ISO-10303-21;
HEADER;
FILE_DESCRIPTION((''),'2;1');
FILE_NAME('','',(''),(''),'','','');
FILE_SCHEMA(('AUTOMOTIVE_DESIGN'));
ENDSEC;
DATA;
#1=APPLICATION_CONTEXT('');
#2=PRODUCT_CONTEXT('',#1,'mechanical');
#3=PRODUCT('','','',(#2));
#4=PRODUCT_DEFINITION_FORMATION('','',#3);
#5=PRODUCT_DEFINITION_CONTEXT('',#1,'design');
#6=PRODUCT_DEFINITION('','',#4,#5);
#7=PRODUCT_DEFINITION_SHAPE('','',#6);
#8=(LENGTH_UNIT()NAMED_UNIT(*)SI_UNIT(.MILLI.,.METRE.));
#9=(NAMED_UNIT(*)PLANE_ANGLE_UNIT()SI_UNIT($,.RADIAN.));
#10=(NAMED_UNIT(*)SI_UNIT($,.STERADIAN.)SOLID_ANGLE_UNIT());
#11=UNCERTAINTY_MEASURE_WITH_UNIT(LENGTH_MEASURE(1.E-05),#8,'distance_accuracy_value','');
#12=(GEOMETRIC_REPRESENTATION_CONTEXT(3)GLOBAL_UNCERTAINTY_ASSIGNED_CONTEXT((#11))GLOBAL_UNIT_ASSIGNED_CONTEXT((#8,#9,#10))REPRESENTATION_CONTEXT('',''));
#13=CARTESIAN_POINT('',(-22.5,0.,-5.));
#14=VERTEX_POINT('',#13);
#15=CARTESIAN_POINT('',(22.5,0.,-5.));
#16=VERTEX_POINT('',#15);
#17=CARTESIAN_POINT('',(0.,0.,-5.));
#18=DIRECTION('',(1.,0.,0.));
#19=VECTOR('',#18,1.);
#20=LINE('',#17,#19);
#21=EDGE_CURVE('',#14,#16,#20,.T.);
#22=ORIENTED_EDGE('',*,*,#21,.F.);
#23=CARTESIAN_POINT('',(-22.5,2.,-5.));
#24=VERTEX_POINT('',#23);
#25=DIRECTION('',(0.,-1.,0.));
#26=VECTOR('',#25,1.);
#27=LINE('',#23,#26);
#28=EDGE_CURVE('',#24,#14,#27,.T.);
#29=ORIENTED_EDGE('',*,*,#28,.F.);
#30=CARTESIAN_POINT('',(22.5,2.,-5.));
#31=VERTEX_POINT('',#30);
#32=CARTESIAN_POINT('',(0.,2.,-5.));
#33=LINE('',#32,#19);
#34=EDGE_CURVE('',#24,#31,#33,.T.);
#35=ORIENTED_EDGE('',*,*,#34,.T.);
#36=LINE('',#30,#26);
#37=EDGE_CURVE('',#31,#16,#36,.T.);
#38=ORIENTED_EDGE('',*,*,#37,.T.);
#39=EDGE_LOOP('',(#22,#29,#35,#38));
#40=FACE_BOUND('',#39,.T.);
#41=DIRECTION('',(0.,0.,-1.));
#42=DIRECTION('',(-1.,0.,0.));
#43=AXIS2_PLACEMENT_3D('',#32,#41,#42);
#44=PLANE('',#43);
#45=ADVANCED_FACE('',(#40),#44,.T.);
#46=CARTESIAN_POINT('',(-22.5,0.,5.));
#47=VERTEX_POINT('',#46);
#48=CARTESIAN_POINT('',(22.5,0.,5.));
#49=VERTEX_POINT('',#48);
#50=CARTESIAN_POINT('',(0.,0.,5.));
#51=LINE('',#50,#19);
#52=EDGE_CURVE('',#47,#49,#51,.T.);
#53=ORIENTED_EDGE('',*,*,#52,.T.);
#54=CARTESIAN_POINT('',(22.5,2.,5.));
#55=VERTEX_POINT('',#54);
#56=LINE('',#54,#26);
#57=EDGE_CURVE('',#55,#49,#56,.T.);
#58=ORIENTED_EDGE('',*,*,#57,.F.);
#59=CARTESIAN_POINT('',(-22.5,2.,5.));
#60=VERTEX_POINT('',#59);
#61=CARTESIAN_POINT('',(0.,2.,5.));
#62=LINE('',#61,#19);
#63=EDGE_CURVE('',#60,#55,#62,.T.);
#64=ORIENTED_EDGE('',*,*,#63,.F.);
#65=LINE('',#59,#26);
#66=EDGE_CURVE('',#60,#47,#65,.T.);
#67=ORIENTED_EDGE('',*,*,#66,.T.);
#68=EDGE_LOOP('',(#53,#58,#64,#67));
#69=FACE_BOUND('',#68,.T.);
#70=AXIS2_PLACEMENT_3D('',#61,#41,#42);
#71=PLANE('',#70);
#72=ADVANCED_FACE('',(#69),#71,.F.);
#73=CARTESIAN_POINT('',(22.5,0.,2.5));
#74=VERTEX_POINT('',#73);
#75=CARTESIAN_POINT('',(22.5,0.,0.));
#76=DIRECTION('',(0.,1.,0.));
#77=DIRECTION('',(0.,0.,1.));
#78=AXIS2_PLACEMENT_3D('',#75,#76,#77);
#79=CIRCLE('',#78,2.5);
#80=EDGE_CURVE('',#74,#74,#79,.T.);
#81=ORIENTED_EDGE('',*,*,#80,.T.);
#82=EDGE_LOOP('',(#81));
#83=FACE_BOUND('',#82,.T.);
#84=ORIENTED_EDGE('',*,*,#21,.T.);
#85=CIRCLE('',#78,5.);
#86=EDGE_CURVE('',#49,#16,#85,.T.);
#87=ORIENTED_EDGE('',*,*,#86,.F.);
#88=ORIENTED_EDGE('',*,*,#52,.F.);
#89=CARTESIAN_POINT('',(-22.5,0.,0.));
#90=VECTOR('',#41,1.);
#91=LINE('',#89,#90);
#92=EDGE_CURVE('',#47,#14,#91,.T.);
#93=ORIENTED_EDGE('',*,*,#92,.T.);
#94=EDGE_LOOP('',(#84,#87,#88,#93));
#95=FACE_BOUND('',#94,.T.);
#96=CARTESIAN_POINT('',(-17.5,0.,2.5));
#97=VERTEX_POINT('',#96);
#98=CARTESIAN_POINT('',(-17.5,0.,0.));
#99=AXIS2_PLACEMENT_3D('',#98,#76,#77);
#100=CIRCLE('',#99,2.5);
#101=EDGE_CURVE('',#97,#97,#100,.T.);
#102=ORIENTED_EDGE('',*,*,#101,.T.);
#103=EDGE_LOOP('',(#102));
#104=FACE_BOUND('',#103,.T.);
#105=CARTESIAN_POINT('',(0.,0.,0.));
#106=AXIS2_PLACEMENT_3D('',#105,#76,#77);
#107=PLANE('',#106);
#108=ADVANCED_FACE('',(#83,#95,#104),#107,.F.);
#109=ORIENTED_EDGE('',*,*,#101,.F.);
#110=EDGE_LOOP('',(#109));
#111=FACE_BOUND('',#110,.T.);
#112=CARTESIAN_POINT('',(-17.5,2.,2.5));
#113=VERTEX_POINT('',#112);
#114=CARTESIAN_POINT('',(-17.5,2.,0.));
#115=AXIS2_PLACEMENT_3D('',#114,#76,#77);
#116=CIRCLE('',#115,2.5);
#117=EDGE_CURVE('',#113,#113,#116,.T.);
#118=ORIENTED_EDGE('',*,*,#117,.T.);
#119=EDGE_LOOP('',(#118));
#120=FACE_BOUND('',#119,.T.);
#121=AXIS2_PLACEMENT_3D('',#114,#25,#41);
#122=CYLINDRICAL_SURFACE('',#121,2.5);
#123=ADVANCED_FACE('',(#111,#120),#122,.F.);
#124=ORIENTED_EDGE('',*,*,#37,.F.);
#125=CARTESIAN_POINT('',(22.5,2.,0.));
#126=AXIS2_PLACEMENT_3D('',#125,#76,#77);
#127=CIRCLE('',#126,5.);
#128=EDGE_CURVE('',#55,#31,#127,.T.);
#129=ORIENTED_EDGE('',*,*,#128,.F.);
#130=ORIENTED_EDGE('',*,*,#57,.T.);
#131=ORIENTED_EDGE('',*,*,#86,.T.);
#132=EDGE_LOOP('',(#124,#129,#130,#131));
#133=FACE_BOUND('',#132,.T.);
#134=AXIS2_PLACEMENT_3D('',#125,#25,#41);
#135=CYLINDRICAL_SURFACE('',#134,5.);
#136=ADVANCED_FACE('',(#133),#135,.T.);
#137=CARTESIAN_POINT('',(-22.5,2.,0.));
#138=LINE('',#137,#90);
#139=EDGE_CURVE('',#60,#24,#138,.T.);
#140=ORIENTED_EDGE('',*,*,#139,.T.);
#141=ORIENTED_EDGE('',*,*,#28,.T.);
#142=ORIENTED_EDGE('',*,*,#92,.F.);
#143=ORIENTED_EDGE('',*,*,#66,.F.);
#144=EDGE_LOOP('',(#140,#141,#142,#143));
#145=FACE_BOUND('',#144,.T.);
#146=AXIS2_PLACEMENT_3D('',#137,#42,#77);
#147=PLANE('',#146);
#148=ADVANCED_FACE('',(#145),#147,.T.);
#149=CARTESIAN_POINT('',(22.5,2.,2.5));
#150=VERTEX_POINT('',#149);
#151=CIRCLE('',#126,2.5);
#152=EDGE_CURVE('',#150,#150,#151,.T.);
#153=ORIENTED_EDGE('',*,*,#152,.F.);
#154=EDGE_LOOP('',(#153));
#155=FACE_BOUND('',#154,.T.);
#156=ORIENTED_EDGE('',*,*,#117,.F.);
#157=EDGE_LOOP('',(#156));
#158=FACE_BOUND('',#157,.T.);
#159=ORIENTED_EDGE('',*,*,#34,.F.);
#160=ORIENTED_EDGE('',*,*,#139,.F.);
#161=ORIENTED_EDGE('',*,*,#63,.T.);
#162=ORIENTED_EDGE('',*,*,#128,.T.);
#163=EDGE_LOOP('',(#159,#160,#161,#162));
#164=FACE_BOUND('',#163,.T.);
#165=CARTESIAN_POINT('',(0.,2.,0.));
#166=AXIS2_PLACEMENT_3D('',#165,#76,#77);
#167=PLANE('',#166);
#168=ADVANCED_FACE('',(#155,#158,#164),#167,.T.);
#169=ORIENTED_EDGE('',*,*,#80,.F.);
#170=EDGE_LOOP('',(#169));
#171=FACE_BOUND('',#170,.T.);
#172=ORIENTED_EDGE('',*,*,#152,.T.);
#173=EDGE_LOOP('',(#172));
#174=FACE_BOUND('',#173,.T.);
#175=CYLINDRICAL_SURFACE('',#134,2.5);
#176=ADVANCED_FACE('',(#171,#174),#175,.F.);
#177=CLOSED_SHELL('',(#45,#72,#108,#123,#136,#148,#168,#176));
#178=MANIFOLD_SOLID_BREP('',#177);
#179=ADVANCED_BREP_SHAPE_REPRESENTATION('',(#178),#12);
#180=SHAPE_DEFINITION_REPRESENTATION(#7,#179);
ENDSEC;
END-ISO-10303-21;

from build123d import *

# Parameters (mm, degrees)
CROQUIS1_R              = 2.5
SALIENTE_EXTRUIR2_DEPTH = 2


with BuildPart() as part:
    # Croquis1 → Saliente-Extruir2 (new body)
    with BuildSketch(Plane(origin=(0, 0, 0), x_dir=(1, 0, 0), z_dir=(0, 1, 0))):
        with BuildLine():
            Line((-22.5, 5), (-22.5, -5))
            Line((-22.5, -5), (22.5, -5))
            ThreePointArc((22.5, -5), (27.5, 0), (22.5, 5))
            Line((22.5, 5), (-22.5, 5))
        make_face()
        with Locations((22.5, 0)):
            Circle(CROQUIS1_R, mode=Mode.SUBTRACT)
        with Locations((-17.5, 0)):
            Circle(CROQUIS1_R, mode=Mode.SUBTRACT)
    extrude(amount=SALIENTE_EXTRUIR2_DEPTH)


solid = part.part
